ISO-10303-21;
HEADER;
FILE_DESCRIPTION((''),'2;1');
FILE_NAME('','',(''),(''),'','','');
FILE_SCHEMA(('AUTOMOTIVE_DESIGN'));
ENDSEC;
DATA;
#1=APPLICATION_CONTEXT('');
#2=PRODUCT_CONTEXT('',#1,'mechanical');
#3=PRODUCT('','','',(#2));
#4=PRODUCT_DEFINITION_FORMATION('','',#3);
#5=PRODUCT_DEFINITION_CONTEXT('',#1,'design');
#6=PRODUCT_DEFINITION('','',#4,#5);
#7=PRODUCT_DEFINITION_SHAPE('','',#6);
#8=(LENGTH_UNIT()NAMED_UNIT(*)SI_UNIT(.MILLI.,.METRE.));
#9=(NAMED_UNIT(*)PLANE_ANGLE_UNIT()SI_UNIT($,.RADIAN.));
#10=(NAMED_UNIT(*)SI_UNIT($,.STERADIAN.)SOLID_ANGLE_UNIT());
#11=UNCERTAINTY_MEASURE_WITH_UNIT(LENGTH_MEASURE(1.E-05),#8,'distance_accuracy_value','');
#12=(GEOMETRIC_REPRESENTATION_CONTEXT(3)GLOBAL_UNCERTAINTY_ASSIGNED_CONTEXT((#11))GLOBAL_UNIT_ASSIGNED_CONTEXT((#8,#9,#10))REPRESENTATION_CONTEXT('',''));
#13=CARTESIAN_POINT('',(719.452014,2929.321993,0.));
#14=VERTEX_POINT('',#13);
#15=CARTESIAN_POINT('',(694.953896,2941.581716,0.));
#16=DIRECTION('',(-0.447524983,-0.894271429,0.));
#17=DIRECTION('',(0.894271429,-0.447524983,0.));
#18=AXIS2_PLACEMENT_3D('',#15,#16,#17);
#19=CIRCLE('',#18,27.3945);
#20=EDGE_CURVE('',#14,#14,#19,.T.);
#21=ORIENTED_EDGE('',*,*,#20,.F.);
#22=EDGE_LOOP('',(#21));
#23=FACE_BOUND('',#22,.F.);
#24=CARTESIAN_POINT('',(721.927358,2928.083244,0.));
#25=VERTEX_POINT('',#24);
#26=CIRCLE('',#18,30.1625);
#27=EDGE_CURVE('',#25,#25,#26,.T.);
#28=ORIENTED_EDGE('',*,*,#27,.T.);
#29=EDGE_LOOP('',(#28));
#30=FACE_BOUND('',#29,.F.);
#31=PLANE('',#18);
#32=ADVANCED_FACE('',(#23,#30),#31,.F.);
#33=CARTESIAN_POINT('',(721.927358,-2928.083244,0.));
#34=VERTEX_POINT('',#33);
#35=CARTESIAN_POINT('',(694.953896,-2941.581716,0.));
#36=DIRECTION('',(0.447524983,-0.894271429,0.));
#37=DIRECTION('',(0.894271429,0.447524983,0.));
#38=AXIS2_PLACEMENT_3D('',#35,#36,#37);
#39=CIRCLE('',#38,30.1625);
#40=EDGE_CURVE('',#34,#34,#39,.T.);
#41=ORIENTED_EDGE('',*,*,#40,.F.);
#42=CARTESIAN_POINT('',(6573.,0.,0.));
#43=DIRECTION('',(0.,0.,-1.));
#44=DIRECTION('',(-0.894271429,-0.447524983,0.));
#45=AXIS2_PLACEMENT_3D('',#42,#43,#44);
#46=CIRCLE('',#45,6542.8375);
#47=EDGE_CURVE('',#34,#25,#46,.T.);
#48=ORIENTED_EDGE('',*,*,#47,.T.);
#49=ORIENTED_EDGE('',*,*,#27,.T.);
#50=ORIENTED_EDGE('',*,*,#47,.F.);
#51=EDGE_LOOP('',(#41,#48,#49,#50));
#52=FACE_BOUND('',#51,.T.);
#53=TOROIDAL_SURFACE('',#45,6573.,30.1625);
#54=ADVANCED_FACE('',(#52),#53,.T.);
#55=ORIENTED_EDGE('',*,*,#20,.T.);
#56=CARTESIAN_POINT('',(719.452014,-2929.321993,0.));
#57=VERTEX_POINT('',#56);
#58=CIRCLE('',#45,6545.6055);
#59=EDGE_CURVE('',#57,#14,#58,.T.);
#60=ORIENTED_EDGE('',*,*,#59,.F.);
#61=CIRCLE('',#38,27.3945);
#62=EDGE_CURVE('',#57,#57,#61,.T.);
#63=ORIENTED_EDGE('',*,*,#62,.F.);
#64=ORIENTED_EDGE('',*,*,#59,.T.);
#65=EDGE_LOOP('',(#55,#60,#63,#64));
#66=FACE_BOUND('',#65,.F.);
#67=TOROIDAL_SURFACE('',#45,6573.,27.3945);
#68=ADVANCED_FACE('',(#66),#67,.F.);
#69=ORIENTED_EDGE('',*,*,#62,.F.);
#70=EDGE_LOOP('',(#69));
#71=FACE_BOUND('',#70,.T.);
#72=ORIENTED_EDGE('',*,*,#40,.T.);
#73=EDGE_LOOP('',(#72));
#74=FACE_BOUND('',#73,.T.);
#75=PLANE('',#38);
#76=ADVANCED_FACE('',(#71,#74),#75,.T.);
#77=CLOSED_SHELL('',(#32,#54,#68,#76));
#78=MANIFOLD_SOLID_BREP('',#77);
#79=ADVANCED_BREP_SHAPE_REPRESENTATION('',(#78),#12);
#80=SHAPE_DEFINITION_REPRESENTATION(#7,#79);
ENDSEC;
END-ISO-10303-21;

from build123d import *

# Parameters (mm, degrees)
F0_R          = 30.1625
F0_R_2        = 27.3945
F1_ANGLE_BACK = 26.585
F1_ANGLE      = 53.17


with BuildPart() as f1:
    # F0 (on Front) → F1 (revolve)
    with BuildSketch(Plane.XZ, mode=Mode.PRIVATE) as f1_sk:
        Circle(F0_R)
        Circle(F0_R_2, mode=Mode.SUBTRACT)
    revolve(f1_sk.sketch.rotate(Axis((6573, 0, -50), (0, 0, -1)), -F1_ANGLE_BACK), axis=Axis((6573, 0, -50), (0, 0, -1)), revolution_arc=F1_ANGLE)


solid = f1.part
